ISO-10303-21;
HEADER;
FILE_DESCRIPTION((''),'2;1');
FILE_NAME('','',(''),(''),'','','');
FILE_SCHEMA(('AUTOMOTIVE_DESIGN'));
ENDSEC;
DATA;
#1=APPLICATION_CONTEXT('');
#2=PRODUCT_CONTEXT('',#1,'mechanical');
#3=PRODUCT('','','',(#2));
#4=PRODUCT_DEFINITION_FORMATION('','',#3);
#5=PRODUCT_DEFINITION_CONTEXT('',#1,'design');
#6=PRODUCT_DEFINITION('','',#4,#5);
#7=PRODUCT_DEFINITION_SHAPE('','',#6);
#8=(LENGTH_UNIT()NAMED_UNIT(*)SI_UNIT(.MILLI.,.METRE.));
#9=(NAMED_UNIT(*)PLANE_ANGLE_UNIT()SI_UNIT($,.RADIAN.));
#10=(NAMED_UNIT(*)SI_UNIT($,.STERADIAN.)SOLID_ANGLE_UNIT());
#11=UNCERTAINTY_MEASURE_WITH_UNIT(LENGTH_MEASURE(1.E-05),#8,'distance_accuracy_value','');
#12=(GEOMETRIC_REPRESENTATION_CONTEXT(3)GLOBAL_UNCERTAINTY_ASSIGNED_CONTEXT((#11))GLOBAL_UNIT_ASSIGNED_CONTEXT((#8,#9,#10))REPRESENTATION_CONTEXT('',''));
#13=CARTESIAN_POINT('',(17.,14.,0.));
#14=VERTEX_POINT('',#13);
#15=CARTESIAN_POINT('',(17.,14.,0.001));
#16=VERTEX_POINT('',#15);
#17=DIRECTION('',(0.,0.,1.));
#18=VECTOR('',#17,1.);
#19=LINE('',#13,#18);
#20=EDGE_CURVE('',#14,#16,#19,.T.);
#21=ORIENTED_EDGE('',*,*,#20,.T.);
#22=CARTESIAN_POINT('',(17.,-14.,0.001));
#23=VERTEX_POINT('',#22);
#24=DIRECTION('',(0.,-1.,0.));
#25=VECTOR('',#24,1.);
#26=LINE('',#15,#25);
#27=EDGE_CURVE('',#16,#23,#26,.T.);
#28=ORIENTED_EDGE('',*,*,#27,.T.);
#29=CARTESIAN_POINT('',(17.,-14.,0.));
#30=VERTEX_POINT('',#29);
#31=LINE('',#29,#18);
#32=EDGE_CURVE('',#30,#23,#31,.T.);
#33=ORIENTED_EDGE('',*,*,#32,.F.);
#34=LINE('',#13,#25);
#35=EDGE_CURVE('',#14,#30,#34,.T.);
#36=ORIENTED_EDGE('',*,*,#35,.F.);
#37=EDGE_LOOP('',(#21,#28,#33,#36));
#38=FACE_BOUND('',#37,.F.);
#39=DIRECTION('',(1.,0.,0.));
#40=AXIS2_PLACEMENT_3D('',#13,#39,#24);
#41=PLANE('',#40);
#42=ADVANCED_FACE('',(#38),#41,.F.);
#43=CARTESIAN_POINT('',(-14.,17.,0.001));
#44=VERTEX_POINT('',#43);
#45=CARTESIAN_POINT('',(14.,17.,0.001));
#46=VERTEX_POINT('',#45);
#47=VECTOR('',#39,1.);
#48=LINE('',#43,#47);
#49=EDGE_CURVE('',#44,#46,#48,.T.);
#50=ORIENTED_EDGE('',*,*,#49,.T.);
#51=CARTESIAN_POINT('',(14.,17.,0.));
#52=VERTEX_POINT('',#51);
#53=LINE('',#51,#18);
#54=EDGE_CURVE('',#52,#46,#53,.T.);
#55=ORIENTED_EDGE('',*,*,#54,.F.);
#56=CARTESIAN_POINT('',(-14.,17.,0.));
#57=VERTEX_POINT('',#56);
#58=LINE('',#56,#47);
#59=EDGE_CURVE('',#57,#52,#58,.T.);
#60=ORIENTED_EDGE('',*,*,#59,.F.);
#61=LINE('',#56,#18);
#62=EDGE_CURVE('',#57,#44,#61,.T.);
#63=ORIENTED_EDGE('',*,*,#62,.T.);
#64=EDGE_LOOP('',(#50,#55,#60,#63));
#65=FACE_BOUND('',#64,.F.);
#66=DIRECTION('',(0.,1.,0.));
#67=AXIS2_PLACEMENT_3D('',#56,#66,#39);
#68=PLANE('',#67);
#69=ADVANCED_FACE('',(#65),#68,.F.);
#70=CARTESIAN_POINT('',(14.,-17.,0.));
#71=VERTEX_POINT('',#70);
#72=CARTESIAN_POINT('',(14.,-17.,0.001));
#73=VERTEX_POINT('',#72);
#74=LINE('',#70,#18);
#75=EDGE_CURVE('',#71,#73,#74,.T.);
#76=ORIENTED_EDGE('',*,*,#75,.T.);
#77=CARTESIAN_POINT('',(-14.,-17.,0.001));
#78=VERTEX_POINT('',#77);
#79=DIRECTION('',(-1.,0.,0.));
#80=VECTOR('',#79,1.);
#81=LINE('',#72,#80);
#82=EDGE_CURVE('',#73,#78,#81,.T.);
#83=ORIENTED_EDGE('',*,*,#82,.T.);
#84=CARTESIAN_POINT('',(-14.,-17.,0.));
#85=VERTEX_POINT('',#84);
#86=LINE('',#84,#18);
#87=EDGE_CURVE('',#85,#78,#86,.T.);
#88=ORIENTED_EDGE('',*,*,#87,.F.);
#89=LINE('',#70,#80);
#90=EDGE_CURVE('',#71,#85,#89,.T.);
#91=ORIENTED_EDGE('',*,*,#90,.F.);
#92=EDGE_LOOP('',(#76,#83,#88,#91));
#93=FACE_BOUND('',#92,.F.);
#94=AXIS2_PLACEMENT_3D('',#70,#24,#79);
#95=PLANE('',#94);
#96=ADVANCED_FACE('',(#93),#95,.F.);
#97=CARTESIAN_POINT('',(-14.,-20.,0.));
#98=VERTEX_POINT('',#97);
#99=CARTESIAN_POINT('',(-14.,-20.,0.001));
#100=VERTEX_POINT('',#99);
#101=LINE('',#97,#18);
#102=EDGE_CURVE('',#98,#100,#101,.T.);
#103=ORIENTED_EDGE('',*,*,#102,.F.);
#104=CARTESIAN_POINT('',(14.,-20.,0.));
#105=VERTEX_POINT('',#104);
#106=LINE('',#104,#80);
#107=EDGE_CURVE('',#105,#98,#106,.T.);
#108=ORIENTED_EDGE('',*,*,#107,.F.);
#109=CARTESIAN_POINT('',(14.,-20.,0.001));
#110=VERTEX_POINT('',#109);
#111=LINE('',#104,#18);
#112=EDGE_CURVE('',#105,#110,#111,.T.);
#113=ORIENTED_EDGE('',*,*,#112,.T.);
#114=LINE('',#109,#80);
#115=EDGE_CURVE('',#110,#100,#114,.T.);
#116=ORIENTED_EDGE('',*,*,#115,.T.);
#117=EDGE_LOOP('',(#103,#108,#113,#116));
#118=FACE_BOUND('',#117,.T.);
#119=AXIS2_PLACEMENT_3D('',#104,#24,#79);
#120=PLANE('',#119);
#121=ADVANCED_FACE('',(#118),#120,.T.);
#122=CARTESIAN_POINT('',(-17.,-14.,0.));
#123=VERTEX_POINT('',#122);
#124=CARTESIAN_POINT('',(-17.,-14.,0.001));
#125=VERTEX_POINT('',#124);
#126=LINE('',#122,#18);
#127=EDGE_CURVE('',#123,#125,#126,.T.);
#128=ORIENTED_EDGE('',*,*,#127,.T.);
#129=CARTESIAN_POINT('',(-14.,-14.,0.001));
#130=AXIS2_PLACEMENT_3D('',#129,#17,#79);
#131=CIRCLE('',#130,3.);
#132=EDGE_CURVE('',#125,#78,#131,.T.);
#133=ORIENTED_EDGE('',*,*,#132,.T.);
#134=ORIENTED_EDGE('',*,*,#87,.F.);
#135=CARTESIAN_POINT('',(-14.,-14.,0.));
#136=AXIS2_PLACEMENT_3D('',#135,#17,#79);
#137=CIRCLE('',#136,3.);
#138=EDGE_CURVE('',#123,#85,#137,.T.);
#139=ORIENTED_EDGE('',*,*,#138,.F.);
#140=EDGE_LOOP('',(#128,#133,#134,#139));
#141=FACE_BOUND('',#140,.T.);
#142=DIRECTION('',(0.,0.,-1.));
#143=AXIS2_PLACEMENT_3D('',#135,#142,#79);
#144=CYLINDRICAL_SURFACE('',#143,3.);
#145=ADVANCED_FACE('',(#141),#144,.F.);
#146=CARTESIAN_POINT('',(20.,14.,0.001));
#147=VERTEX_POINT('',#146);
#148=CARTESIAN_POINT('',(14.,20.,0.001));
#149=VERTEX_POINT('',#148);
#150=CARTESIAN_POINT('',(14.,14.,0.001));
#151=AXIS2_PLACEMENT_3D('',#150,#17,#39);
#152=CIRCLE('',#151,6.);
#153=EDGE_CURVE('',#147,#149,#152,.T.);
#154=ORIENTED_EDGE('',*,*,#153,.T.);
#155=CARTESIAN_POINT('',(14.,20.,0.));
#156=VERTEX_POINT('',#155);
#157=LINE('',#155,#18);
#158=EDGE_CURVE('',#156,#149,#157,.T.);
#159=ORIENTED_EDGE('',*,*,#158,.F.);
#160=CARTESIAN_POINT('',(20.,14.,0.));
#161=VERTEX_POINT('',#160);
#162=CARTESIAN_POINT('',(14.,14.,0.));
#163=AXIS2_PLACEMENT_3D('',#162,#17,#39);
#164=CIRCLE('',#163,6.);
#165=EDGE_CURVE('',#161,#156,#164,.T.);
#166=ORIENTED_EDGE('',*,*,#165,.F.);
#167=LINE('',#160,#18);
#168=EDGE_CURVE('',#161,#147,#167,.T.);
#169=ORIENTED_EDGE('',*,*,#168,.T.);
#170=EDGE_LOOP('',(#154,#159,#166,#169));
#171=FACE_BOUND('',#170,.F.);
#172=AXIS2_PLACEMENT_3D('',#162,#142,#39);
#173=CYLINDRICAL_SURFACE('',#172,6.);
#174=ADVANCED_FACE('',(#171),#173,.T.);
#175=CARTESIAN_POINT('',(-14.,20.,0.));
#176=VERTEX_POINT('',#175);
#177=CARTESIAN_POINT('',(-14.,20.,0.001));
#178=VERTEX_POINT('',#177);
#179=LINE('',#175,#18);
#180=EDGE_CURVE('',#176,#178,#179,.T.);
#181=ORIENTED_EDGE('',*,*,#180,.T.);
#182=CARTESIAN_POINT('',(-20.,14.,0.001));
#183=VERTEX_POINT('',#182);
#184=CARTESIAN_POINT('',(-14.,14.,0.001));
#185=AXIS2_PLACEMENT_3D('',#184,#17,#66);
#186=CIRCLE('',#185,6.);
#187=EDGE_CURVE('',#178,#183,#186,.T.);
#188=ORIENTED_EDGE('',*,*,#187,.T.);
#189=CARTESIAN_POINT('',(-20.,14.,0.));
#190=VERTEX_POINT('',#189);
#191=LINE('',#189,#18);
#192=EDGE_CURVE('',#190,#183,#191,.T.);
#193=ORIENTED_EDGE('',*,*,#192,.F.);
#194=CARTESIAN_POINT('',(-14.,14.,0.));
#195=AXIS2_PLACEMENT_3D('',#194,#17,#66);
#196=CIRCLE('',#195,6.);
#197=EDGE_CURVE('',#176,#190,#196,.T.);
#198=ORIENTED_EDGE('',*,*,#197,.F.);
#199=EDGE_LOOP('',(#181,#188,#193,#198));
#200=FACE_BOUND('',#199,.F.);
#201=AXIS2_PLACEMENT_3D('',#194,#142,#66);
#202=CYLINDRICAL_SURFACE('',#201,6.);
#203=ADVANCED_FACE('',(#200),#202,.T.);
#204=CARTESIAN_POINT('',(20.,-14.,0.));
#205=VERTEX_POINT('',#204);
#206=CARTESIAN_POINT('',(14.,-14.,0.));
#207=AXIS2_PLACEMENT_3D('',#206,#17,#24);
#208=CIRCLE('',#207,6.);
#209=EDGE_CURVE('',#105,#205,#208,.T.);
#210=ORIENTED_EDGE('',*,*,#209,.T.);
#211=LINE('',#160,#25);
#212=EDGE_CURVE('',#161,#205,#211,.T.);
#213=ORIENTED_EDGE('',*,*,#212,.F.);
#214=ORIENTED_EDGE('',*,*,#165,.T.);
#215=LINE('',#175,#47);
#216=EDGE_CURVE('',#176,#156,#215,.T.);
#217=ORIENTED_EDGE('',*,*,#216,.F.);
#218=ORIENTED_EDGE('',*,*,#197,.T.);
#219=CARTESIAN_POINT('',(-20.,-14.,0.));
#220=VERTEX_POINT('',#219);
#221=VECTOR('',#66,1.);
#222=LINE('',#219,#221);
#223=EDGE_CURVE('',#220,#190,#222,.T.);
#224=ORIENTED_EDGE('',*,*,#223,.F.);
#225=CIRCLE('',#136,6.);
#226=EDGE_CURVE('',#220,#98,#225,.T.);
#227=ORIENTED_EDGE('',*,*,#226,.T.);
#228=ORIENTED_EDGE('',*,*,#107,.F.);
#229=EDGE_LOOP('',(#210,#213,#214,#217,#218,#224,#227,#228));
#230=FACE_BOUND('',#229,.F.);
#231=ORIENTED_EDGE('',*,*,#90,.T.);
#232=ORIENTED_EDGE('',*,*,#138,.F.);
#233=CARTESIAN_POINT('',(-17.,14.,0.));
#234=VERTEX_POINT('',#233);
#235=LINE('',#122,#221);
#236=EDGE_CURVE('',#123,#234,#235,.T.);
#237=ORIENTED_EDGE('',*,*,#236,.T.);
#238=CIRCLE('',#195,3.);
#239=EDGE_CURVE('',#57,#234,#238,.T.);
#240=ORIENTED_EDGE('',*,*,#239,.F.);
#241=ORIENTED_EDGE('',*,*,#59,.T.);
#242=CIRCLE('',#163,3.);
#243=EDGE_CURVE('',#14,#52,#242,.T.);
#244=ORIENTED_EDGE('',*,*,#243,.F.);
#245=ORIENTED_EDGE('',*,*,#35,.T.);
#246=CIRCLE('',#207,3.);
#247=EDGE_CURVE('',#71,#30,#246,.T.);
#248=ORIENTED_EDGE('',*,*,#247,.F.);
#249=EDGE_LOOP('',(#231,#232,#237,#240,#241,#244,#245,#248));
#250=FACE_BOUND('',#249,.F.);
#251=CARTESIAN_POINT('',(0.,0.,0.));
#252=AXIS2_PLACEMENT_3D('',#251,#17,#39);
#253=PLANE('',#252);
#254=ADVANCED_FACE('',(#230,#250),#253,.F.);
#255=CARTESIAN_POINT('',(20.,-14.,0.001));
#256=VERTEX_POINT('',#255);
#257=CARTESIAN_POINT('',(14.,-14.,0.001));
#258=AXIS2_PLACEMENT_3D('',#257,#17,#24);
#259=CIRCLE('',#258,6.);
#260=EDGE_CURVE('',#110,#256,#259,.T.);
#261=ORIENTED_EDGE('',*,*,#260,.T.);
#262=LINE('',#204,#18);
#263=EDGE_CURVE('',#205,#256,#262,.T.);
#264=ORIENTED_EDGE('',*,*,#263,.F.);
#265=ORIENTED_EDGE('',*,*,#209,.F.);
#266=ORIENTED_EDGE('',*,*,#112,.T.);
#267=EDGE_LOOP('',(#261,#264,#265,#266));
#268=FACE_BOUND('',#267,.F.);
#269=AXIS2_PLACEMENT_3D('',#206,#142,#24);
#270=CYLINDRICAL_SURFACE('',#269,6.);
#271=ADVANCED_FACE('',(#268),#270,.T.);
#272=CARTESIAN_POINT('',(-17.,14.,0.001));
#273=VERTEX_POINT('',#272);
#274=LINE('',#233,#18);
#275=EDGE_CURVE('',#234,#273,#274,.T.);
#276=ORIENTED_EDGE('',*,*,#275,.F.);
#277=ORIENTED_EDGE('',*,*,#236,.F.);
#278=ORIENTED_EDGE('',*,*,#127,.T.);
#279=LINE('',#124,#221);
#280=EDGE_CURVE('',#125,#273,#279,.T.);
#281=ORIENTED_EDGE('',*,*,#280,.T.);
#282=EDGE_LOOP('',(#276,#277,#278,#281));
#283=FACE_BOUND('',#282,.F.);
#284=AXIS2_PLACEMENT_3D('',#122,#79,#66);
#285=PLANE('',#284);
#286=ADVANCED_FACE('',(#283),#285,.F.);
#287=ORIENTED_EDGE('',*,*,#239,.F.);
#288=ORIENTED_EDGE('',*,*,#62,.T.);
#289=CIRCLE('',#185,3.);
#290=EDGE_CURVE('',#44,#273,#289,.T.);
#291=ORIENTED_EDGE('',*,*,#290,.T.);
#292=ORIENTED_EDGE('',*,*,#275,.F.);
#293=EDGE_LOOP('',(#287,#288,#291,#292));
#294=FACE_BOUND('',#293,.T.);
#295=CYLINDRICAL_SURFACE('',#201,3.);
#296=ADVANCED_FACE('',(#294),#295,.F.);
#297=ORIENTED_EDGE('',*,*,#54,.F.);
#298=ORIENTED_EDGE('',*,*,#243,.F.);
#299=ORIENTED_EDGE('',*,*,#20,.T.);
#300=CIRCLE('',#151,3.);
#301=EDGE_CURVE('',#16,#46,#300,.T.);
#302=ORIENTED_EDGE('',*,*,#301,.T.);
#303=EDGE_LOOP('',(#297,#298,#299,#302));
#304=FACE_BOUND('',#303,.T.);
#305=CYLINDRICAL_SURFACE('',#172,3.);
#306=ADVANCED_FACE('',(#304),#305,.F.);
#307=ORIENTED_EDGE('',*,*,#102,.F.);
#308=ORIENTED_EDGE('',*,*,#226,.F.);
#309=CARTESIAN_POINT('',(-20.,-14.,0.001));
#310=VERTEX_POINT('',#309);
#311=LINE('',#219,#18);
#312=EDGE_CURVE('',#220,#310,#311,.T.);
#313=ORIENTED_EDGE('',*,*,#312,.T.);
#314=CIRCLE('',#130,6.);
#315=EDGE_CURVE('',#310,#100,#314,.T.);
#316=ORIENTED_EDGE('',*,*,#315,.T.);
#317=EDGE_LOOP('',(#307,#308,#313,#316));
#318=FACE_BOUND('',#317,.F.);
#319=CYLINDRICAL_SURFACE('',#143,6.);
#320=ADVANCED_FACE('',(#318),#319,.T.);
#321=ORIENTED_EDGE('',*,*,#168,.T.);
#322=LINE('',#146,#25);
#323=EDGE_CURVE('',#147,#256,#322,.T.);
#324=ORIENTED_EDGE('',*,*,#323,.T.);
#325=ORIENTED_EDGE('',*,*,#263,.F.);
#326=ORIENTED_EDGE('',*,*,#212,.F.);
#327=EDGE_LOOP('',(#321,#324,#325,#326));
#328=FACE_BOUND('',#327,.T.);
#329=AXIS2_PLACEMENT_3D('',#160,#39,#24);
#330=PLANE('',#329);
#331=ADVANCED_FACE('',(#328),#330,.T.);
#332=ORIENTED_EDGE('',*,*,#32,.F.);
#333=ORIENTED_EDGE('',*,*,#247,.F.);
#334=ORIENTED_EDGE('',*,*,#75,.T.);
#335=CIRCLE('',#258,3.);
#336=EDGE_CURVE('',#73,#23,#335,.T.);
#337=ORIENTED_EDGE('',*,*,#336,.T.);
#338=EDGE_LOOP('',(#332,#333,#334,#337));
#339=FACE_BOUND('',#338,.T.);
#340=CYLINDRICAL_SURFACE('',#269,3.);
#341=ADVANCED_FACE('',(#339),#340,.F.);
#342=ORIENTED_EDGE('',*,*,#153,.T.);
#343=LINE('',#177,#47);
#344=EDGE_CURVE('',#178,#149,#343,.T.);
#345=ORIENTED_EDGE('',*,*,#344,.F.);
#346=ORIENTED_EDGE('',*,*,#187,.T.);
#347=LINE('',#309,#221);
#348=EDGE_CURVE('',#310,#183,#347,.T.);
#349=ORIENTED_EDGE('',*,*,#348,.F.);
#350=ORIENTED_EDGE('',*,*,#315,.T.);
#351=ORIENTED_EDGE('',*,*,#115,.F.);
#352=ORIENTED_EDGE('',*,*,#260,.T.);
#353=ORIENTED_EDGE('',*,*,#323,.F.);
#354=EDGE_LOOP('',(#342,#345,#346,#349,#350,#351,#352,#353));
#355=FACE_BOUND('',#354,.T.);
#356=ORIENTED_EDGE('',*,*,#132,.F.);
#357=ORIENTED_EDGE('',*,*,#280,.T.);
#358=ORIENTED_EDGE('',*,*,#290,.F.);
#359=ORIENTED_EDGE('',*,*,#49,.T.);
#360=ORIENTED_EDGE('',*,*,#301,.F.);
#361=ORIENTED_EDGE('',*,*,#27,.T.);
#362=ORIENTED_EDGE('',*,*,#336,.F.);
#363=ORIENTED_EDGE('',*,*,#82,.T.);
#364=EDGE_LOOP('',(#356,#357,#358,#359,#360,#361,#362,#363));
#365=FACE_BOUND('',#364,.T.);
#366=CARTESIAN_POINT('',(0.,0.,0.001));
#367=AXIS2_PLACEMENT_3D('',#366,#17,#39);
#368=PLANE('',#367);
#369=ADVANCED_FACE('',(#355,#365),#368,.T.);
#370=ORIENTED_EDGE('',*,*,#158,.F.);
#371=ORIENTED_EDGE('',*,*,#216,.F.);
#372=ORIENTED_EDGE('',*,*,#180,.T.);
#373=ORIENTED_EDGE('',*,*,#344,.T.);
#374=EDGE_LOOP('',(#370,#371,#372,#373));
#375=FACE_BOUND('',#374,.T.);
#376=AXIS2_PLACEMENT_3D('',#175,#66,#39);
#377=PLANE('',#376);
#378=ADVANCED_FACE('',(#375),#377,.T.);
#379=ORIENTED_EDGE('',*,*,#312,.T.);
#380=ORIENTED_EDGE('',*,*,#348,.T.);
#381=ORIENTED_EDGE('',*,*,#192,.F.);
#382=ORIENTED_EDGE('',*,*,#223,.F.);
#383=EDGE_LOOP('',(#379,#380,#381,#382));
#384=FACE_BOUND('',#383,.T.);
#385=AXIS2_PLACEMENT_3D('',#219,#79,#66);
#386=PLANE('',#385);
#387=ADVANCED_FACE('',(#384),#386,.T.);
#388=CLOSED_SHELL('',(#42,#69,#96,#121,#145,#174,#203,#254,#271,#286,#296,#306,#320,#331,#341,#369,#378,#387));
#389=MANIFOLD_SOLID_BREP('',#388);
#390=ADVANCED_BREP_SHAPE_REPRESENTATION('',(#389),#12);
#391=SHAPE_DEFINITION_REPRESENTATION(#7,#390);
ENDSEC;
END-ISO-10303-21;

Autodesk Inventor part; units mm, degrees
ref_plane "YZ Plane" through (0, 0, 0) normal (1, 0, 0) x (0, 1, 0)
ref_plane "Start plane" through (0, 0, 0) normal (0, 0, 1) x (1, 0, 0)
ref_plane "End plane" through (0, 0, 0.001) normal (0, 0, 1) x (1, 0, 0)
sketch "Sketch" plane through (0, 0, 0) normal (0, 0, 1) x (1, 0, 0)
  line L0 (-20, -14) -> (-20, 14)
  line L1 (-14, 20) -> (14, 20)
  line L2 (20, 14) -> (20, -14)
  line L3 (14, -20) -> (-14, -20)
  arc A0 (-20, -14) -> (-14, -20) centre (-14, -14) ccw
  arc A1 (-14, 20) -> (-20, 14) centre (-14, 14) ccw
  arc A2 (20, 14) -> (14, 20) centre (14, 14) ccw
  arc A3 (14, -20) -> (20, -14) centre (14, -14) ccw
  arc A4 (-14, 17) -> (-17, 14) centre (-14, 14) ccw
  line L4 (-14, 17) -> (14, 17)
  arc A5 (17, 14) -> (14, 17) centre (14, 14) ccw
  line L5 (17, 14) -> (17, -14)
  arc A6 (14, -17) -> (17, -14) centre (14, -14) ccw
  line L6 (14, -17) -> (-14, -17)
  arc A7 (-17, -14) -> (-14, -17) centre (-14, -14) ccw
  line L7 (-17, -14) -> (-17, 14)
  line L8 (0, 37.1021) -> (0, -37.1021) construction
  line L9 (-23.1021, 0) -> (23.1021, 0) construction
  dimension "d7" = 6
  dimension "d10" = 40
  dimension "d11" = 40
  dimension "d12" = 3
  dimension "d15" = 20
  dimension "d16" = 20
extrude "Body" add sketch "Sketch" along normal up to surface (0.001 mm away) from surface at 0
sketch "Sketch3" plane through (0, 0, 0) normal (0, 0, 1) x (1, 0, 0)
  line L0 (0, 0) -> (10, 0)
ref_plane "Work Plane3" through (0, 0, 0) normal (0, -1, 0) x (1, 0, 0)
sketch "Sketch4" plane through (0, 0, 0) normal (0, -1, 0) x (1, 0, 0)
  line L0 (-2, 0) -> (12, 0)
  line L1 (-2, 0.001) -> (12, 0.001)
  dimension "d18" = 0.001
equation "\"d7\" = G_IR"
equation "\"d10\" = G_H"
equation "\"d11\" = G_W"
equation "\"d12\" = G_T"
equation "\"d15\" = 0.5 * d10"
equation "\"d16\" = 0.5 * d11"
equation "\"d3\" = G_L"
equation "\"G_W\" = 40"
equation "\"G_H\" = 40"
equation "\"G_T\" = 3"
equation "\"G_IR\" = 6"
equation "\"G_L\" = d18"
equation "\"G_OFFSET_START\" = 0"
equation "\"G_OFFSET_END\" = 0"
equation "\"d14\" = G_OFFSET_END + B_L"
equation "\"B_L\" = 0.001"
properties part number "STN EN 10219-2 - 40 x 40 x 3  - 0,001" material "Steel, Mild"
